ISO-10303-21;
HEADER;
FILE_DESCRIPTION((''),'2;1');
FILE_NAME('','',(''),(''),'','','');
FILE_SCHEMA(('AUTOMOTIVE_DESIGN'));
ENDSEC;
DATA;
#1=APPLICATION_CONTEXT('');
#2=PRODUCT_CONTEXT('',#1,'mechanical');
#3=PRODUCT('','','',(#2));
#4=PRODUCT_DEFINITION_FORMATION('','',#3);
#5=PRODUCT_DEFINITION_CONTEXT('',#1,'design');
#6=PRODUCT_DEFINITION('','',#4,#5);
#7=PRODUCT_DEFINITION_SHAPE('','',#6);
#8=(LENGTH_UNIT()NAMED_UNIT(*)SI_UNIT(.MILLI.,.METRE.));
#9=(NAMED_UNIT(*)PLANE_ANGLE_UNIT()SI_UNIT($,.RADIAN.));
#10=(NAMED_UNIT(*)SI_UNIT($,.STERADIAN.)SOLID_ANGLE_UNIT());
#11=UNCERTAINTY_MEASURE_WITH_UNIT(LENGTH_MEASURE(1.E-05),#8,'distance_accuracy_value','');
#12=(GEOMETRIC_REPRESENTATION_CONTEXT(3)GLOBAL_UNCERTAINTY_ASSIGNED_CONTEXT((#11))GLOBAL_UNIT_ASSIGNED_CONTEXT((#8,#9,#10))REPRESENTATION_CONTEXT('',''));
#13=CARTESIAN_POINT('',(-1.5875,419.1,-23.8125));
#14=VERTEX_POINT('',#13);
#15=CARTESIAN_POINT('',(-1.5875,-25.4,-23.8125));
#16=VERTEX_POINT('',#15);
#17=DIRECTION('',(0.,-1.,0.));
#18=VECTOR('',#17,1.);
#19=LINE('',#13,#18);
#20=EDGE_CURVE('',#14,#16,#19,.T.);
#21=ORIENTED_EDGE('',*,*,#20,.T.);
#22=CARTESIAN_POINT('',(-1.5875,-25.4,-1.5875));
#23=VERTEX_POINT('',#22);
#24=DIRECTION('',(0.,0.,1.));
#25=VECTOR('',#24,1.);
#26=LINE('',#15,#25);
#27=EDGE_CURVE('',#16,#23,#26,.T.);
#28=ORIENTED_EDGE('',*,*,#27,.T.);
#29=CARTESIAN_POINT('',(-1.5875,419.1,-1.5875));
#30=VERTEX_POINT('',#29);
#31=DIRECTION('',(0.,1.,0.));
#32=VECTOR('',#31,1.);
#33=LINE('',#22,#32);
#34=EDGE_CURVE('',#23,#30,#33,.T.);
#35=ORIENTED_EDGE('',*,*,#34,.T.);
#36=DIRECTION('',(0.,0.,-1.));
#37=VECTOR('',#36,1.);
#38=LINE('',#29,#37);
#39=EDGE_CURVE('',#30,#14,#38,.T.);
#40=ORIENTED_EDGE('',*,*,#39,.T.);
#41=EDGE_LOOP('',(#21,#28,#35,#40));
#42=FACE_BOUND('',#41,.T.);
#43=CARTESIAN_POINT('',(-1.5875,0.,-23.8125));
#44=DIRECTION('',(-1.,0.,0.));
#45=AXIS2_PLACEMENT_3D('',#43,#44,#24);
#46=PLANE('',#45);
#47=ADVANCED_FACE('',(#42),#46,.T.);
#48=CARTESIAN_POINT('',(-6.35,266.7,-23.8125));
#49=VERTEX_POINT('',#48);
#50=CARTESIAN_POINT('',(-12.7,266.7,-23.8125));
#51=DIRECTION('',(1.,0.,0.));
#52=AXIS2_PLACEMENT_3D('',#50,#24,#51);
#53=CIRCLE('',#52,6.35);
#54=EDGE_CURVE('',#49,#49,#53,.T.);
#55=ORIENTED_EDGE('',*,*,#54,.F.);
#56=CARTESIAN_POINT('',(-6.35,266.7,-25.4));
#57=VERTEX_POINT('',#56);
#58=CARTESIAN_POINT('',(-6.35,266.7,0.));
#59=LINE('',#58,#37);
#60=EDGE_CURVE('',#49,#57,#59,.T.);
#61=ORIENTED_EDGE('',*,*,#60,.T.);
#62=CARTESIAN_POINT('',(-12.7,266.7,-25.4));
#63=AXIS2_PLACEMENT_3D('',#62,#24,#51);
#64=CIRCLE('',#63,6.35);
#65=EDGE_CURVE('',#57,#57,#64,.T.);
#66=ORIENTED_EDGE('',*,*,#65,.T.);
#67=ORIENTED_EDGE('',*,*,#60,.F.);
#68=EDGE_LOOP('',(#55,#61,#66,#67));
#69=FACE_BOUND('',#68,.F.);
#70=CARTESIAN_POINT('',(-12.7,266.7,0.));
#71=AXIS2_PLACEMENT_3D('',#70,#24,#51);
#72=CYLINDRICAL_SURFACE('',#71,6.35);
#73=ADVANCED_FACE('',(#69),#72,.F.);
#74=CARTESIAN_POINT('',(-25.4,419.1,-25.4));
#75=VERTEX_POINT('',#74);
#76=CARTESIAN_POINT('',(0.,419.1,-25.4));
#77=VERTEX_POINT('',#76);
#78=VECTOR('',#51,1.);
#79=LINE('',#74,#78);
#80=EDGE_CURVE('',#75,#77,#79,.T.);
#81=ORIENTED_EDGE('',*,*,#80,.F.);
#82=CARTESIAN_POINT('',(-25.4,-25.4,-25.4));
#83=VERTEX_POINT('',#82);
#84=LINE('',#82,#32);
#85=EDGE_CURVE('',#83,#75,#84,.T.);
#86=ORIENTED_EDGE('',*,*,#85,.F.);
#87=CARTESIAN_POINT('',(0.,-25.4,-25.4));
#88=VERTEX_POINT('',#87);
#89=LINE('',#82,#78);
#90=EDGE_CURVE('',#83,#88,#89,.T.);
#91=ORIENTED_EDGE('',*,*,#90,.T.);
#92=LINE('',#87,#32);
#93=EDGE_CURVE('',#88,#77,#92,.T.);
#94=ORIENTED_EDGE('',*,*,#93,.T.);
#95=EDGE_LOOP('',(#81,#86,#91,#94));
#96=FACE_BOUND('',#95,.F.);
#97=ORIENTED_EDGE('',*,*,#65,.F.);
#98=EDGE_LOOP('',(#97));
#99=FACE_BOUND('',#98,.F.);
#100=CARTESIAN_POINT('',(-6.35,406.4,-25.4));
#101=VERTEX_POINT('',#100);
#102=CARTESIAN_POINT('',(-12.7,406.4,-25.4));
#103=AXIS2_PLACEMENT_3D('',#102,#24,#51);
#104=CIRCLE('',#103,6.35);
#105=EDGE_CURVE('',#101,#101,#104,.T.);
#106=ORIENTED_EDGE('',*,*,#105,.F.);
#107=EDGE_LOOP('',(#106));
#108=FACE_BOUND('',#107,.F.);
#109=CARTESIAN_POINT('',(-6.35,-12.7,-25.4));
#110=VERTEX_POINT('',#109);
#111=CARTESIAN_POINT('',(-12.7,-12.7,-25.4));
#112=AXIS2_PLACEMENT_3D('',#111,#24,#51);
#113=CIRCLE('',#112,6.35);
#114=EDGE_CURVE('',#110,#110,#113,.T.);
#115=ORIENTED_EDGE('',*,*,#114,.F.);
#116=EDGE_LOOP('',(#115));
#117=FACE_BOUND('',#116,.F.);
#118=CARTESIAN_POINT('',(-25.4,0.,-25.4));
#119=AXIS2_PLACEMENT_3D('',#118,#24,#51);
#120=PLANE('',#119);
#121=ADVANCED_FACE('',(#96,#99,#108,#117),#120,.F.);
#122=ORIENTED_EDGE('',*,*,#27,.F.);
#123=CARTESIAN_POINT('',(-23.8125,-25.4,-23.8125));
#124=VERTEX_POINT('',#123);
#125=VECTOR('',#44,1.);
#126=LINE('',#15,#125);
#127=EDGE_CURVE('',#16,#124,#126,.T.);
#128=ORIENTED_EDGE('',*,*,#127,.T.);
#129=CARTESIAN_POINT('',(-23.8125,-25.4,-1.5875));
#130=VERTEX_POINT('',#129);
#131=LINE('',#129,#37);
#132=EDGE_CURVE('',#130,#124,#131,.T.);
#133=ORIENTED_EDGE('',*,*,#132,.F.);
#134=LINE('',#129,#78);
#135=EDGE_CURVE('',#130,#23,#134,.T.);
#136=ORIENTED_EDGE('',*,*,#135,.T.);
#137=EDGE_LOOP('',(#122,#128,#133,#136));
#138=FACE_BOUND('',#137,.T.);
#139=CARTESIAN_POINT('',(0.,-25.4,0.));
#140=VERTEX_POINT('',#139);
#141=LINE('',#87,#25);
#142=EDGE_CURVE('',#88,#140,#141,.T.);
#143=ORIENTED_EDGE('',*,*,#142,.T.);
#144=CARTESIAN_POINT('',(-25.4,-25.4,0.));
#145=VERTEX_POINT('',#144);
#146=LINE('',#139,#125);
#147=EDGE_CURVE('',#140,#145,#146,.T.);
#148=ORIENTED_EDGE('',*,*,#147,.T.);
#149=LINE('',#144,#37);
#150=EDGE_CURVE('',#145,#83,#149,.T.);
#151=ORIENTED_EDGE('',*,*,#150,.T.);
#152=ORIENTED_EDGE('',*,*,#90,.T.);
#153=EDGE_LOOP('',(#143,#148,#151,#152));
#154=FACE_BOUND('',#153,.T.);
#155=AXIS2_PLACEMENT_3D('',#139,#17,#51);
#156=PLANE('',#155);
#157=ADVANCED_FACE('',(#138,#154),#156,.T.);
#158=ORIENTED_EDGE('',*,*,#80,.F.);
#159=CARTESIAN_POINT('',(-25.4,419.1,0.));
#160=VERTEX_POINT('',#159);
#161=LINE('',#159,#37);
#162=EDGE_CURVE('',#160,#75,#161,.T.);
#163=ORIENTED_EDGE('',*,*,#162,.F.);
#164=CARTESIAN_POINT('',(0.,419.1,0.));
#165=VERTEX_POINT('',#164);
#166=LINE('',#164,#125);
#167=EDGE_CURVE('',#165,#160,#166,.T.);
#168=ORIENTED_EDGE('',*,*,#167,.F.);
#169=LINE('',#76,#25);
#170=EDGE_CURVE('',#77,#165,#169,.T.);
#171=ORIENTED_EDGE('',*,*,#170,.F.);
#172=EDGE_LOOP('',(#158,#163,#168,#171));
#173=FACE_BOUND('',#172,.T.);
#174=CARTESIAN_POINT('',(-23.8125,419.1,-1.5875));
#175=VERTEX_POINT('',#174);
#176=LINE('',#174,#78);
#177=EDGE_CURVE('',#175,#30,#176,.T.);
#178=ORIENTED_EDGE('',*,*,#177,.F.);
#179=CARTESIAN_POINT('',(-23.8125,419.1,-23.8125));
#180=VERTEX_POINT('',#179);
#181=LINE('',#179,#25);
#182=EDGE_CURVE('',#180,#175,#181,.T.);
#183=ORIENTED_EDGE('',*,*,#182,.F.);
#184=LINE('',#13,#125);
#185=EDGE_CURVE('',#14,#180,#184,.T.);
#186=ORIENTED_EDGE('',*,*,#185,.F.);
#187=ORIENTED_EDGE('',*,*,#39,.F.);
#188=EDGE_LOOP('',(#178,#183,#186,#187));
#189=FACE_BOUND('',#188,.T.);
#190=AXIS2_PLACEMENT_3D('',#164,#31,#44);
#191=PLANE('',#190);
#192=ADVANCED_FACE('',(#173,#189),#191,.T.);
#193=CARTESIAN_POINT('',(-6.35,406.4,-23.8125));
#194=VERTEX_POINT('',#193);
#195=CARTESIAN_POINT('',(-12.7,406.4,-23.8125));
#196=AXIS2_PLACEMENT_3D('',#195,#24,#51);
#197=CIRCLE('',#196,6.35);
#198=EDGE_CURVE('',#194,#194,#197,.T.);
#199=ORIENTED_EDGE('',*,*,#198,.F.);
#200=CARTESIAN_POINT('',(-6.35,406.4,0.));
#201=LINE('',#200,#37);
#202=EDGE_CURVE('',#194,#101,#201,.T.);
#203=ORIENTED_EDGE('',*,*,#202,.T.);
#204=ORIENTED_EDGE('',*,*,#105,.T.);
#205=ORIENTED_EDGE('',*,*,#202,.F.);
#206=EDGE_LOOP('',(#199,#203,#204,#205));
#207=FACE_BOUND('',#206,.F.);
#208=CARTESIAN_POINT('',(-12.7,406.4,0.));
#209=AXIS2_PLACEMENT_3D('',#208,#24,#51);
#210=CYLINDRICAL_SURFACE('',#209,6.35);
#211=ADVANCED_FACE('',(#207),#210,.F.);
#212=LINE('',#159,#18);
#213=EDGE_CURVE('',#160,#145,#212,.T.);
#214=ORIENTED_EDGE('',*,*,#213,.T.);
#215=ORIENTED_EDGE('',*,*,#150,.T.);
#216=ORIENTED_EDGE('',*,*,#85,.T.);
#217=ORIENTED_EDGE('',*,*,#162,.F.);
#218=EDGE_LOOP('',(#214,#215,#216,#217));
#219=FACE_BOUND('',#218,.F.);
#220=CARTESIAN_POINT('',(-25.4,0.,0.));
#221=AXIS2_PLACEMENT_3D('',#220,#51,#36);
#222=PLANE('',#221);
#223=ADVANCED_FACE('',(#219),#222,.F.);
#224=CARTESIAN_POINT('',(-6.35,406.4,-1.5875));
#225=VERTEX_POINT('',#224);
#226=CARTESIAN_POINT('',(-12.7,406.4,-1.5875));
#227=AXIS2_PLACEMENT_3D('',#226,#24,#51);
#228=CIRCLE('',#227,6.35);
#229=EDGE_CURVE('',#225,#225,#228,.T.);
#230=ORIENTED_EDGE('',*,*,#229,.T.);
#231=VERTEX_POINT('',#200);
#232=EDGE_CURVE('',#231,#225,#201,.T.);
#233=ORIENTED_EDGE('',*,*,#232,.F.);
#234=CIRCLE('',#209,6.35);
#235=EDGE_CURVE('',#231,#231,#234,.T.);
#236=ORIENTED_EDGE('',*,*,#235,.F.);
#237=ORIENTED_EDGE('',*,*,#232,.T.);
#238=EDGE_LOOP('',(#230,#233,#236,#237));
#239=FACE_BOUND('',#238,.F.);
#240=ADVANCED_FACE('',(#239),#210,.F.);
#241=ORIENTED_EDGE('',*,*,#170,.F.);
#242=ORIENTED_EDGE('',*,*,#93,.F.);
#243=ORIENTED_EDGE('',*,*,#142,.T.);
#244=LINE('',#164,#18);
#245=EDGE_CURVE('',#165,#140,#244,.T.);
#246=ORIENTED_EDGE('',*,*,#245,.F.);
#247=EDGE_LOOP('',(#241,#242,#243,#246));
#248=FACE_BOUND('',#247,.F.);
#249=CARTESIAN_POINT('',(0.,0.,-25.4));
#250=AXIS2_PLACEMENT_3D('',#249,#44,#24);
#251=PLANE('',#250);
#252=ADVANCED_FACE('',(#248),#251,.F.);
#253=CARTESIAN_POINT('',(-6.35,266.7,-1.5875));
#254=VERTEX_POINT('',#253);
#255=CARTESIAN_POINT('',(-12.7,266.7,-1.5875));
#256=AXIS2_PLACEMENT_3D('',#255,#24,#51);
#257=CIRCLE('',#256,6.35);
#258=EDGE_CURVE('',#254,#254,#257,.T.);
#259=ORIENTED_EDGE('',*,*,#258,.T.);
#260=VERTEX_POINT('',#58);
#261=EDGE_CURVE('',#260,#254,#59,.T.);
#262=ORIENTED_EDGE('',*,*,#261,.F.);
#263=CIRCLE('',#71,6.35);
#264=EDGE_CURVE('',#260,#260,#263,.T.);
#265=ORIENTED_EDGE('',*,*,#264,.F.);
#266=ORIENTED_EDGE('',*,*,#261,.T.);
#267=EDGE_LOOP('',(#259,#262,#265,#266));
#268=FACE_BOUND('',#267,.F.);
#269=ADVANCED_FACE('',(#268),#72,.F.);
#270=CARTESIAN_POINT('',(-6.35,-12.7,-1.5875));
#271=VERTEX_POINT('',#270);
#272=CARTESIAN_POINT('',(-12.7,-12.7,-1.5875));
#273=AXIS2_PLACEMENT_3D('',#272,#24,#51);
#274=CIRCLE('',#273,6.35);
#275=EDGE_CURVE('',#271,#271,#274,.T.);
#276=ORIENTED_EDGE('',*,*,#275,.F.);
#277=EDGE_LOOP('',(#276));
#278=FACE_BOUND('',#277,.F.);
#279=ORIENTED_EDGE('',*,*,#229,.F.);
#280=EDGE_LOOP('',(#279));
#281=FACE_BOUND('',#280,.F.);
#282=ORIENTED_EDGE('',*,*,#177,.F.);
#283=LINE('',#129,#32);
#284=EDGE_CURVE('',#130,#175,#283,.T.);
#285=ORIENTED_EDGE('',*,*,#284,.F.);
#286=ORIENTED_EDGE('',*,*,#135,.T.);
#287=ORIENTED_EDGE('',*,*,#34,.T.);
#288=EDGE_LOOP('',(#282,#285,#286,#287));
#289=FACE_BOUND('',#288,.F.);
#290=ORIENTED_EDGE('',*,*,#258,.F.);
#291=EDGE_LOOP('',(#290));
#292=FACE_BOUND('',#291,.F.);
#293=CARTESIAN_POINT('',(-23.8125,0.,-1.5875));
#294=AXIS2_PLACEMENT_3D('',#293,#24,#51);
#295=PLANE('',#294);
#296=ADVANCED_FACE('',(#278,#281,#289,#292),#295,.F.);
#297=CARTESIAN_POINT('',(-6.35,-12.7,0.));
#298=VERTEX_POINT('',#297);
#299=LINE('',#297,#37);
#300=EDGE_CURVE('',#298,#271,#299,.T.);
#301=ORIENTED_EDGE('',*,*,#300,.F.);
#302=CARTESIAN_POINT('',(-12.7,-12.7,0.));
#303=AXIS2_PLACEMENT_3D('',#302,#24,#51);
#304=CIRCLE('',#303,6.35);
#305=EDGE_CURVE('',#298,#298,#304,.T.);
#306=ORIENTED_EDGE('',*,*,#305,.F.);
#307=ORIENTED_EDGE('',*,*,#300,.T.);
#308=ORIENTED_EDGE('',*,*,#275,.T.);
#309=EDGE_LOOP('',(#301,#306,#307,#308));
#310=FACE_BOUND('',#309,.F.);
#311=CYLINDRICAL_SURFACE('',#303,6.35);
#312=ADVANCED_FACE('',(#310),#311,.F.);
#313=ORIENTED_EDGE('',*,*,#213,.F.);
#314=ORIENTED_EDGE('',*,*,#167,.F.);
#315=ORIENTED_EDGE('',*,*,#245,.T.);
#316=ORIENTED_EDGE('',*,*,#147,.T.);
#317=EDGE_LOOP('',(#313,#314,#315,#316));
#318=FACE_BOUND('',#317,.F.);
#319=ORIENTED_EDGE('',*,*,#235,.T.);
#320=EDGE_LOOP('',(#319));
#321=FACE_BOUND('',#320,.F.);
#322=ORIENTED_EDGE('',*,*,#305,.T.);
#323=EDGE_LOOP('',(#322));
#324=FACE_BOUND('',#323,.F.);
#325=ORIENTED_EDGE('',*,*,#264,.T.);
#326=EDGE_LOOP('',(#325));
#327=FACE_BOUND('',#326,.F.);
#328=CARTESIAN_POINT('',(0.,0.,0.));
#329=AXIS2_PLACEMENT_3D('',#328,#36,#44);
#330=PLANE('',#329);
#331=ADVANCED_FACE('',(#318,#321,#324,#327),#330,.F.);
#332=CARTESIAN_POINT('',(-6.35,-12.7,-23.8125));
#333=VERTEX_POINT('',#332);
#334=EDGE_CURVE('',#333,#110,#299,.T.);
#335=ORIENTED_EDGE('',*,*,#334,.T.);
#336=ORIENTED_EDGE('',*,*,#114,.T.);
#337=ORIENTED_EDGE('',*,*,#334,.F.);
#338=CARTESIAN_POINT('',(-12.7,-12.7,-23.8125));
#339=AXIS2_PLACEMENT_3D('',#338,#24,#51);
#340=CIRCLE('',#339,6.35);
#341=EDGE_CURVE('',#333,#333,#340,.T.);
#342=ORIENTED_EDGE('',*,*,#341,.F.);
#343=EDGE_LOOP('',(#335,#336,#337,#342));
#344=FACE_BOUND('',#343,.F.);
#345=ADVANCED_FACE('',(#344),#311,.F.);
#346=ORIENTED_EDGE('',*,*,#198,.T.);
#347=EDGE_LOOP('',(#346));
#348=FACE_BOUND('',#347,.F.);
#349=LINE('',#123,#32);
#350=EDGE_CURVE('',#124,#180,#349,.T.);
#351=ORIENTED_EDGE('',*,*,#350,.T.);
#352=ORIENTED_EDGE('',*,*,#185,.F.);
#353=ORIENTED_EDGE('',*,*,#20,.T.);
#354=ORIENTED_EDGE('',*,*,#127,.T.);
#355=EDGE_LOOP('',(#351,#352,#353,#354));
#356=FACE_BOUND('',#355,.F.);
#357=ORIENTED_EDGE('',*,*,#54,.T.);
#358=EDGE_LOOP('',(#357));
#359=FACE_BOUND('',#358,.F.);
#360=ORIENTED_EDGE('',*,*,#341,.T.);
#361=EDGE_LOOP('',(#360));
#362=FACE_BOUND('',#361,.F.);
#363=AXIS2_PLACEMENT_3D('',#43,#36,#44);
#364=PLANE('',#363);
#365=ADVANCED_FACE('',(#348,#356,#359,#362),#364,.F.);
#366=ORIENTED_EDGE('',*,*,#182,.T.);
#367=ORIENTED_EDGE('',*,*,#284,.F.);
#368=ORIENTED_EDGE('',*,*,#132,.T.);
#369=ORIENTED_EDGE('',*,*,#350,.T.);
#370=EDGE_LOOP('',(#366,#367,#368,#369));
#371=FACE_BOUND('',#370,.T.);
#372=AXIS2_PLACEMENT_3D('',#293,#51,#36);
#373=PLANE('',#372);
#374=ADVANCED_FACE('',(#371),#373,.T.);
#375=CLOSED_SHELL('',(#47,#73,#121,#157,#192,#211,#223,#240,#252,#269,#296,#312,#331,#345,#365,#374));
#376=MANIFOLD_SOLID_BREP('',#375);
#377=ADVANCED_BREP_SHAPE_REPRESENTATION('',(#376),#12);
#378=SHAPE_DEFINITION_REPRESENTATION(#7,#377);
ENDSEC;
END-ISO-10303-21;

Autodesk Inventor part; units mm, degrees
ref_plane "YZ Plane" through (0, 0, 0) normal (1, 0, 0) x (0, 1, 0)
ref_plane "XZ Plane" through (0, 0, 0) normal (0, 1, 0) x (-1, 0, 0)
ref_plane "XY Plane" through (0, 0, 0) normal (0, 0, 1) x (1, 0, 0)
sketch "Sketch1" plane through (0, 0, 0) normal (0, 1, 0) x (-1, 0, 0)
  line L0 (0, 0) -> (25.4, 0)
  line L1 (25.4, 0) -> (25.4, -25.4)
  line L2 (25.4, -25.4) -> (0, -25.4)
  line L3 (0, -25.4) -> (0, 0)
  line L4 (23.8125, -23.8125) -> (23.8125, -1.5875)
  line L5 (23.8125, -1.5875) -> (1.5875, -1.5875)
  line L6 (1.5875, -1.5875) -> (1.5875, -23.8125)
  line L7 (1.5875, -23.8125) -> (23.8125, -23.8125)
  dimension "d0" = 25.4
  dimension "d1" = 25.4
  dimension "d2" = 1.5875
extrude "Extrusion1" add sketch "Sketch1" along normal blind 419.1
sketch "Sketch3" plane through (-25.4, 0, 0) normal (0, 0, 1) x (1, 0, 0)
  point P0 (25.4, 0)
sketch "Sketch4" plane through (-25.4, 0, 0) normal (0, 0, 1) x (1, 0, 0)
  circle A0 centre (12.7, 406.4) radius 6.35
  line L0 (25.4, 0) -> (0, 0) projected
  line L1 (25.4, 0) -> (25.4, 419.1) projected
  line L2 (1.5875, 419.1) -> (23.8125, 419.1) projected
  dimension "d8" = 12.7
  dimension "d28" = 12.7
  dimension "d29" = 12.7
extrude "Extrusion3" cut sketch "Sketch4" against normal blind 25.4
sketch "Sketch5" plane through (-25.4, 0, 0) normal (0, 0, 1) x (1, 0, 0)
  circle A0 centre (12.7, 266.7) radius 6.35
  line L0 (25.4, 0) -> (0, 0) projected
  dimension "d12" = 12.7
  dimension "d15" = 266.7
extrude "Extrusion4" cut sketch "Sketch5" against normal blind 25.4
sketch "Sketch7" plane through (0, 0, 0) normal (0, -1, 0) x (1, 0, 0)
  line L0 (0, 0) -> (-25.4, 0)
  line L1 (-25.4, 0) -> (-25.4, -25.4)
  line L2 (-25.4, -25.4) -> (0, -25.4)
  line L3 (0, -25.4) -> (0, 0)
  line L4 (-1.5875, -23.8125) -> (-23.8125, -23.8125) projected
  line L5 (-23.8125, -1.5875) -> (-1.5875, -1.5875) projected
  line L6 (-23.8125, -23.8125) -> (-1.5875, -23.8125)
  line L7 (-1.5875, -23.8125) -> (-1.5875, -1.5875)
  line L8 (-1.5875, -1.5875) -> (-23.8125, -1.5875)
  line L9 (-23.8125, -1.5875) -> (-23.8125, -23.8125)
extrude "Extrusion6" add sketch "Sketch7" along normal blind 25.4
sketch "Sketch8" plane through (-25.4, 419.1, 0) normal (0, 0, 1) x (1, 0, 0)
  circle A0 centre (12.7, -431.8) radius 6.35
  line L0 (25.4, -444.5) -> (25.4, 0) projected
  line L1 (25.4, -444.5) -> (0, -444.5) projected
  point P0 (25.4, -419.1)
  dimension "d23" = 12.7
  dimension "d24" = 12.7
  dimension "d27" = 12.7
extrude "Extrusion7" cut sketch "Sketch8" against normal blind 25.4
properties part number "AP 2"
